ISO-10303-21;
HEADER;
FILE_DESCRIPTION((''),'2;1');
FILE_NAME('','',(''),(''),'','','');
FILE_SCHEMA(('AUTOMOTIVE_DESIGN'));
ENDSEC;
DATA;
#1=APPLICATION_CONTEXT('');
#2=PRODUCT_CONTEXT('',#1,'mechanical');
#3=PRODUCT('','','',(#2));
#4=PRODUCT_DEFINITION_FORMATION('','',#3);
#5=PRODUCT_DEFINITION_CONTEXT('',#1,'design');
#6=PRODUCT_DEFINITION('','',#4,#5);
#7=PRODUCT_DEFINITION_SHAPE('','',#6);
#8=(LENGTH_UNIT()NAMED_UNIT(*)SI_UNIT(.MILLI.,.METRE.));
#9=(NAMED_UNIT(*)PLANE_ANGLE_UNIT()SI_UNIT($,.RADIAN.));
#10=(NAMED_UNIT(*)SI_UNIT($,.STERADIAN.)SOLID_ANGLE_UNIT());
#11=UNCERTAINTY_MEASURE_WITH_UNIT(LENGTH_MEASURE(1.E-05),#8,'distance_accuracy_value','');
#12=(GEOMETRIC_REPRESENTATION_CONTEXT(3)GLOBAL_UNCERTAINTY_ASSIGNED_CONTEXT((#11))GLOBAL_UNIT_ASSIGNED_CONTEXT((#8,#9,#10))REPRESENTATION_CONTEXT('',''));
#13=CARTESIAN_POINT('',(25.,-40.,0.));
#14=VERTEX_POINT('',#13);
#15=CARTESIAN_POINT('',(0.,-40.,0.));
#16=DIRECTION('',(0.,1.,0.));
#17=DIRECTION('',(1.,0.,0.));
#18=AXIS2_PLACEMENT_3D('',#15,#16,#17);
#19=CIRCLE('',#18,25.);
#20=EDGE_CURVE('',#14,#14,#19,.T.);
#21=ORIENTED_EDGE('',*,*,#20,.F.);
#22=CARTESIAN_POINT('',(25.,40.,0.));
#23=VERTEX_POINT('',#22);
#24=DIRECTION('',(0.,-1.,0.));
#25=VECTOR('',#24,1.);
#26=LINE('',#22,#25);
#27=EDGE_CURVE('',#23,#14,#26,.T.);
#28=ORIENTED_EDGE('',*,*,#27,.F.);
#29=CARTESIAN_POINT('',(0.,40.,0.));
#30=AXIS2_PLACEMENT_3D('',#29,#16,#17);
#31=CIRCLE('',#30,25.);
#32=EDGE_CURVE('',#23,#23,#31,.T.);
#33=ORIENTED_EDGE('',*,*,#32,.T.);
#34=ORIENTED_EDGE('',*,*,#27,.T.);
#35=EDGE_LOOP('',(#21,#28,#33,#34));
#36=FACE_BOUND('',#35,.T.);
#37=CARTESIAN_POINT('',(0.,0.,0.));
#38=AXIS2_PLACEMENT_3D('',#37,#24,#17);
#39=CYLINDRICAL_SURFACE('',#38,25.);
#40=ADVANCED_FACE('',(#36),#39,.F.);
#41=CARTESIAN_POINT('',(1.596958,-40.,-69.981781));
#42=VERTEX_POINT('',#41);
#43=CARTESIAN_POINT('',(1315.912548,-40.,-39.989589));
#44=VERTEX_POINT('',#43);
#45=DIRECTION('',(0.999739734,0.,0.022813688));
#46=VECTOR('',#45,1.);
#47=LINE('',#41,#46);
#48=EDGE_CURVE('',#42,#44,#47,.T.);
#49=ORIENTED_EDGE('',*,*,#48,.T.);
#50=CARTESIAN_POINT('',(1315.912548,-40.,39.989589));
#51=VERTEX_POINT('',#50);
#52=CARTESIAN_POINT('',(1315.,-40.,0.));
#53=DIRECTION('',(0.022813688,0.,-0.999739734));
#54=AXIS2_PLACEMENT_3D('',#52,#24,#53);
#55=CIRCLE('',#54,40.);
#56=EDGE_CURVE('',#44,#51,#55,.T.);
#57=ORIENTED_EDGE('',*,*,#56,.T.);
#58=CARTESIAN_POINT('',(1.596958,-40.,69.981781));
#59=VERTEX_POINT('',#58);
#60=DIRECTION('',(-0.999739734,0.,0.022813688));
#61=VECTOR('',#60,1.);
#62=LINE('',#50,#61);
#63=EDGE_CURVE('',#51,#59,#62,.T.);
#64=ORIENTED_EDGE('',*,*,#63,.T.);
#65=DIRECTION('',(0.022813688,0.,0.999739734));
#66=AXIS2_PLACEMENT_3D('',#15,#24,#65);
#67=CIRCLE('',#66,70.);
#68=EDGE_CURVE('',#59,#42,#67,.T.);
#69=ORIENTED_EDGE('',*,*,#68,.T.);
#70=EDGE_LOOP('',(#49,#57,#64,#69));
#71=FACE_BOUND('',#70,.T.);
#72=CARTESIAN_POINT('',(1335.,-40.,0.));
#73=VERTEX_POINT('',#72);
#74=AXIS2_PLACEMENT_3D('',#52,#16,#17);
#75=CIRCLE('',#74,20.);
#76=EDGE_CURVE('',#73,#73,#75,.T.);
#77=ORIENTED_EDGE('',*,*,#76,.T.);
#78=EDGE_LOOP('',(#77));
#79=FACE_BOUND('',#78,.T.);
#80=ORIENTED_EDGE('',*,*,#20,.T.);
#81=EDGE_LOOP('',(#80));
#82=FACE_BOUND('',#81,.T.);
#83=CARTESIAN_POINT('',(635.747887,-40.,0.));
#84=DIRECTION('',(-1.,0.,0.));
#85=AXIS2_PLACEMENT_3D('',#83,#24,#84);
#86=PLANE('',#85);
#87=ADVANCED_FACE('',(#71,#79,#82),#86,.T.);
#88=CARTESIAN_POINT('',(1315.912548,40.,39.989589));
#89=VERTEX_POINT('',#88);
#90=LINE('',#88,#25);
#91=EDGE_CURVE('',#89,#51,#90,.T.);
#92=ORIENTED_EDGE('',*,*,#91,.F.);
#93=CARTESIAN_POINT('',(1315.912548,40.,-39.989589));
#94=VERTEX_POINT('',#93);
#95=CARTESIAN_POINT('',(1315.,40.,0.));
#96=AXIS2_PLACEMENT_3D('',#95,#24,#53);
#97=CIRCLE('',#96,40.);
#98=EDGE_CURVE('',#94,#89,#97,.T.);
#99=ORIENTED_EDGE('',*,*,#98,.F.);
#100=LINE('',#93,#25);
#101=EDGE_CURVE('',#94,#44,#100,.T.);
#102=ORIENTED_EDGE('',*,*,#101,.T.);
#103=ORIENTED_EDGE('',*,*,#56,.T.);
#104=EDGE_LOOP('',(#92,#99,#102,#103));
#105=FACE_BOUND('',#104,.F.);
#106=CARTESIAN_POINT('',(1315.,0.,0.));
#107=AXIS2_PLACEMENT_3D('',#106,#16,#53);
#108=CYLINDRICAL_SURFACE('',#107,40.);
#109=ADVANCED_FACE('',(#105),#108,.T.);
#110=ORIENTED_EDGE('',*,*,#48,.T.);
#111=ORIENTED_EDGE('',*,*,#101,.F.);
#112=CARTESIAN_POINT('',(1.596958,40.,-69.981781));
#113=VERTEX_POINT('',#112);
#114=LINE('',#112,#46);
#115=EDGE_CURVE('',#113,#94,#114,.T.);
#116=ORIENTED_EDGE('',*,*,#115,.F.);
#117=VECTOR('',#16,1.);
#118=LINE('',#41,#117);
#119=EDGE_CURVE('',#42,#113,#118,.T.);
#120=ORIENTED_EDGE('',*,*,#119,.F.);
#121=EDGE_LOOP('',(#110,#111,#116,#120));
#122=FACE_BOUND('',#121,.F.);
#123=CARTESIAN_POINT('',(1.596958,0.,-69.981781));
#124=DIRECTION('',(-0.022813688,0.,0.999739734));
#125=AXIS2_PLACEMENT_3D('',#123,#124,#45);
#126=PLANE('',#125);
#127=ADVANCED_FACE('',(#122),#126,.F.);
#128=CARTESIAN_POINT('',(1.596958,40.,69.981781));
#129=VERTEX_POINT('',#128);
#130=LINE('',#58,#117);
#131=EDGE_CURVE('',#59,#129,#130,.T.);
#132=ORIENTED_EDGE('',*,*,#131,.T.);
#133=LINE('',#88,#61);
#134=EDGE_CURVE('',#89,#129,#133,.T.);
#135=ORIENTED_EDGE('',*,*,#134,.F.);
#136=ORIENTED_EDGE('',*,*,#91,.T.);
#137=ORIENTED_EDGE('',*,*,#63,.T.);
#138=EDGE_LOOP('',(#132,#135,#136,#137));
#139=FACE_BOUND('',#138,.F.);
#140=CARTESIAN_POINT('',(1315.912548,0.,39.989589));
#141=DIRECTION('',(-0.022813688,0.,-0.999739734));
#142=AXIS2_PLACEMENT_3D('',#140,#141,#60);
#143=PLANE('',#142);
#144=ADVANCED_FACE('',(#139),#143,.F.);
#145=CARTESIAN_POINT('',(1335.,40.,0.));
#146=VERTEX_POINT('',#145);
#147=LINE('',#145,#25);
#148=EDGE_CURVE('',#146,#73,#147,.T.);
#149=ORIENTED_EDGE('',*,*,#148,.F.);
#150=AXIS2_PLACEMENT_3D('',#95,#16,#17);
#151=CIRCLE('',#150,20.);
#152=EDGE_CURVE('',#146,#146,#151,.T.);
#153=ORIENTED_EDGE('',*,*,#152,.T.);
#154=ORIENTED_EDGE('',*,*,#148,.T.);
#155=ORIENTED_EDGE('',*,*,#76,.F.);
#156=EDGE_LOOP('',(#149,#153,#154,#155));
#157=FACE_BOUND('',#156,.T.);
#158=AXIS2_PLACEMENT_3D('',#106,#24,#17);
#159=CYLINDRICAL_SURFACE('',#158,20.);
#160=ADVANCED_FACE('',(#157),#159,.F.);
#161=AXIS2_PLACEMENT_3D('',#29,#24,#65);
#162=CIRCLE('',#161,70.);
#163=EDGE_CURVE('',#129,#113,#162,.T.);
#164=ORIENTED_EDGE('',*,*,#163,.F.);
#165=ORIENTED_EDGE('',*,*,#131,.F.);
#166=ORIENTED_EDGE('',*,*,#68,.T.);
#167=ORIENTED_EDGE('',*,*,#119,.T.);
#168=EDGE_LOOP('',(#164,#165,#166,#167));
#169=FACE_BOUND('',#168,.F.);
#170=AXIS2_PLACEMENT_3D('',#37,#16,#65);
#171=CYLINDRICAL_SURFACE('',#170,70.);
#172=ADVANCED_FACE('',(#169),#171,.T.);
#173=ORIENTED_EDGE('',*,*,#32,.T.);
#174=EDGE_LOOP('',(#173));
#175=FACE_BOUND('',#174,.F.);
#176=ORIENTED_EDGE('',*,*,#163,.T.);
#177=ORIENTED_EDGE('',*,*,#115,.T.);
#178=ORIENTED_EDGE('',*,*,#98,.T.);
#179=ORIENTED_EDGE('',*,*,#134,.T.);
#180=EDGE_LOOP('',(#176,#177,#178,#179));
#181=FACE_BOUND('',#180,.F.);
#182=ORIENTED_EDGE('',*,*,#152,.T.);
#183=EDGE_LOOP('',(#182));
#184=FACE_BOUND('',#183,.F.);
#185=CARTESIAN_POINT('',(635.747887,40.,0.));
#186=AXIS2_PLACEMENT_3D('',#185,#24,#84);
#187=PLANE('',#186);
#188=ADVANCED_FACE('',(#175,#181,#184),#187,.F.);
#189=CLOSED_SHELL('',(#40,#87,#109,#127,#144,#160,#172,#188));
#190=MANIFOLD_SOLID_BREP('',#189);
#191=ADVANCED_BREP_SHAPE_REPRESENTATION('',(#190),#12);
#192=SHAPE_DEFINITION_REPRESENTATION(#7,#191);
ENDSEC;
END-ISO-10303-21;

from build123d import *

# Parameters (mm, degrees)
SKETCH1_R           = 25
SKETCH1_R_2         = 20
BOSS_EXTRUDE1_DEPTH = 40


with BuildPart() as part:
    # Sketch1 → Boss-Extrude1 (new body, symmetric)
    with BuildSketch(Plane(origin=(0, 0, 0), x_dir=(1, 0, 0), z_dir=(0, 1, 0))):
        with BuildLine():
            Line((1.596958175, 69.981781376), (1315.912547529, 39.989589358))
            ThreePointArc((1315.912547529, 39.989589358), (1355, 0), (1315.912547529, -39.989589358))
            Line((1315.912547529, -39.989589358), (1.596958175, -69.981781376))
            ThreePointArc((1.596958175, -69.981781376), (-70, 0), (1.596958175, 69.981781376))
        make_face()
        Circle(SKETCH1_R, mode=Mode.SUBTRACT)
        with Locations((1315, 0)):
            Circle(SKETCH1_R_2, mode=Mode.SUBTRACT)
    extrude(amount=BOSS_EXTRUDE1_DEPTH, both=True)


solid = part.part
